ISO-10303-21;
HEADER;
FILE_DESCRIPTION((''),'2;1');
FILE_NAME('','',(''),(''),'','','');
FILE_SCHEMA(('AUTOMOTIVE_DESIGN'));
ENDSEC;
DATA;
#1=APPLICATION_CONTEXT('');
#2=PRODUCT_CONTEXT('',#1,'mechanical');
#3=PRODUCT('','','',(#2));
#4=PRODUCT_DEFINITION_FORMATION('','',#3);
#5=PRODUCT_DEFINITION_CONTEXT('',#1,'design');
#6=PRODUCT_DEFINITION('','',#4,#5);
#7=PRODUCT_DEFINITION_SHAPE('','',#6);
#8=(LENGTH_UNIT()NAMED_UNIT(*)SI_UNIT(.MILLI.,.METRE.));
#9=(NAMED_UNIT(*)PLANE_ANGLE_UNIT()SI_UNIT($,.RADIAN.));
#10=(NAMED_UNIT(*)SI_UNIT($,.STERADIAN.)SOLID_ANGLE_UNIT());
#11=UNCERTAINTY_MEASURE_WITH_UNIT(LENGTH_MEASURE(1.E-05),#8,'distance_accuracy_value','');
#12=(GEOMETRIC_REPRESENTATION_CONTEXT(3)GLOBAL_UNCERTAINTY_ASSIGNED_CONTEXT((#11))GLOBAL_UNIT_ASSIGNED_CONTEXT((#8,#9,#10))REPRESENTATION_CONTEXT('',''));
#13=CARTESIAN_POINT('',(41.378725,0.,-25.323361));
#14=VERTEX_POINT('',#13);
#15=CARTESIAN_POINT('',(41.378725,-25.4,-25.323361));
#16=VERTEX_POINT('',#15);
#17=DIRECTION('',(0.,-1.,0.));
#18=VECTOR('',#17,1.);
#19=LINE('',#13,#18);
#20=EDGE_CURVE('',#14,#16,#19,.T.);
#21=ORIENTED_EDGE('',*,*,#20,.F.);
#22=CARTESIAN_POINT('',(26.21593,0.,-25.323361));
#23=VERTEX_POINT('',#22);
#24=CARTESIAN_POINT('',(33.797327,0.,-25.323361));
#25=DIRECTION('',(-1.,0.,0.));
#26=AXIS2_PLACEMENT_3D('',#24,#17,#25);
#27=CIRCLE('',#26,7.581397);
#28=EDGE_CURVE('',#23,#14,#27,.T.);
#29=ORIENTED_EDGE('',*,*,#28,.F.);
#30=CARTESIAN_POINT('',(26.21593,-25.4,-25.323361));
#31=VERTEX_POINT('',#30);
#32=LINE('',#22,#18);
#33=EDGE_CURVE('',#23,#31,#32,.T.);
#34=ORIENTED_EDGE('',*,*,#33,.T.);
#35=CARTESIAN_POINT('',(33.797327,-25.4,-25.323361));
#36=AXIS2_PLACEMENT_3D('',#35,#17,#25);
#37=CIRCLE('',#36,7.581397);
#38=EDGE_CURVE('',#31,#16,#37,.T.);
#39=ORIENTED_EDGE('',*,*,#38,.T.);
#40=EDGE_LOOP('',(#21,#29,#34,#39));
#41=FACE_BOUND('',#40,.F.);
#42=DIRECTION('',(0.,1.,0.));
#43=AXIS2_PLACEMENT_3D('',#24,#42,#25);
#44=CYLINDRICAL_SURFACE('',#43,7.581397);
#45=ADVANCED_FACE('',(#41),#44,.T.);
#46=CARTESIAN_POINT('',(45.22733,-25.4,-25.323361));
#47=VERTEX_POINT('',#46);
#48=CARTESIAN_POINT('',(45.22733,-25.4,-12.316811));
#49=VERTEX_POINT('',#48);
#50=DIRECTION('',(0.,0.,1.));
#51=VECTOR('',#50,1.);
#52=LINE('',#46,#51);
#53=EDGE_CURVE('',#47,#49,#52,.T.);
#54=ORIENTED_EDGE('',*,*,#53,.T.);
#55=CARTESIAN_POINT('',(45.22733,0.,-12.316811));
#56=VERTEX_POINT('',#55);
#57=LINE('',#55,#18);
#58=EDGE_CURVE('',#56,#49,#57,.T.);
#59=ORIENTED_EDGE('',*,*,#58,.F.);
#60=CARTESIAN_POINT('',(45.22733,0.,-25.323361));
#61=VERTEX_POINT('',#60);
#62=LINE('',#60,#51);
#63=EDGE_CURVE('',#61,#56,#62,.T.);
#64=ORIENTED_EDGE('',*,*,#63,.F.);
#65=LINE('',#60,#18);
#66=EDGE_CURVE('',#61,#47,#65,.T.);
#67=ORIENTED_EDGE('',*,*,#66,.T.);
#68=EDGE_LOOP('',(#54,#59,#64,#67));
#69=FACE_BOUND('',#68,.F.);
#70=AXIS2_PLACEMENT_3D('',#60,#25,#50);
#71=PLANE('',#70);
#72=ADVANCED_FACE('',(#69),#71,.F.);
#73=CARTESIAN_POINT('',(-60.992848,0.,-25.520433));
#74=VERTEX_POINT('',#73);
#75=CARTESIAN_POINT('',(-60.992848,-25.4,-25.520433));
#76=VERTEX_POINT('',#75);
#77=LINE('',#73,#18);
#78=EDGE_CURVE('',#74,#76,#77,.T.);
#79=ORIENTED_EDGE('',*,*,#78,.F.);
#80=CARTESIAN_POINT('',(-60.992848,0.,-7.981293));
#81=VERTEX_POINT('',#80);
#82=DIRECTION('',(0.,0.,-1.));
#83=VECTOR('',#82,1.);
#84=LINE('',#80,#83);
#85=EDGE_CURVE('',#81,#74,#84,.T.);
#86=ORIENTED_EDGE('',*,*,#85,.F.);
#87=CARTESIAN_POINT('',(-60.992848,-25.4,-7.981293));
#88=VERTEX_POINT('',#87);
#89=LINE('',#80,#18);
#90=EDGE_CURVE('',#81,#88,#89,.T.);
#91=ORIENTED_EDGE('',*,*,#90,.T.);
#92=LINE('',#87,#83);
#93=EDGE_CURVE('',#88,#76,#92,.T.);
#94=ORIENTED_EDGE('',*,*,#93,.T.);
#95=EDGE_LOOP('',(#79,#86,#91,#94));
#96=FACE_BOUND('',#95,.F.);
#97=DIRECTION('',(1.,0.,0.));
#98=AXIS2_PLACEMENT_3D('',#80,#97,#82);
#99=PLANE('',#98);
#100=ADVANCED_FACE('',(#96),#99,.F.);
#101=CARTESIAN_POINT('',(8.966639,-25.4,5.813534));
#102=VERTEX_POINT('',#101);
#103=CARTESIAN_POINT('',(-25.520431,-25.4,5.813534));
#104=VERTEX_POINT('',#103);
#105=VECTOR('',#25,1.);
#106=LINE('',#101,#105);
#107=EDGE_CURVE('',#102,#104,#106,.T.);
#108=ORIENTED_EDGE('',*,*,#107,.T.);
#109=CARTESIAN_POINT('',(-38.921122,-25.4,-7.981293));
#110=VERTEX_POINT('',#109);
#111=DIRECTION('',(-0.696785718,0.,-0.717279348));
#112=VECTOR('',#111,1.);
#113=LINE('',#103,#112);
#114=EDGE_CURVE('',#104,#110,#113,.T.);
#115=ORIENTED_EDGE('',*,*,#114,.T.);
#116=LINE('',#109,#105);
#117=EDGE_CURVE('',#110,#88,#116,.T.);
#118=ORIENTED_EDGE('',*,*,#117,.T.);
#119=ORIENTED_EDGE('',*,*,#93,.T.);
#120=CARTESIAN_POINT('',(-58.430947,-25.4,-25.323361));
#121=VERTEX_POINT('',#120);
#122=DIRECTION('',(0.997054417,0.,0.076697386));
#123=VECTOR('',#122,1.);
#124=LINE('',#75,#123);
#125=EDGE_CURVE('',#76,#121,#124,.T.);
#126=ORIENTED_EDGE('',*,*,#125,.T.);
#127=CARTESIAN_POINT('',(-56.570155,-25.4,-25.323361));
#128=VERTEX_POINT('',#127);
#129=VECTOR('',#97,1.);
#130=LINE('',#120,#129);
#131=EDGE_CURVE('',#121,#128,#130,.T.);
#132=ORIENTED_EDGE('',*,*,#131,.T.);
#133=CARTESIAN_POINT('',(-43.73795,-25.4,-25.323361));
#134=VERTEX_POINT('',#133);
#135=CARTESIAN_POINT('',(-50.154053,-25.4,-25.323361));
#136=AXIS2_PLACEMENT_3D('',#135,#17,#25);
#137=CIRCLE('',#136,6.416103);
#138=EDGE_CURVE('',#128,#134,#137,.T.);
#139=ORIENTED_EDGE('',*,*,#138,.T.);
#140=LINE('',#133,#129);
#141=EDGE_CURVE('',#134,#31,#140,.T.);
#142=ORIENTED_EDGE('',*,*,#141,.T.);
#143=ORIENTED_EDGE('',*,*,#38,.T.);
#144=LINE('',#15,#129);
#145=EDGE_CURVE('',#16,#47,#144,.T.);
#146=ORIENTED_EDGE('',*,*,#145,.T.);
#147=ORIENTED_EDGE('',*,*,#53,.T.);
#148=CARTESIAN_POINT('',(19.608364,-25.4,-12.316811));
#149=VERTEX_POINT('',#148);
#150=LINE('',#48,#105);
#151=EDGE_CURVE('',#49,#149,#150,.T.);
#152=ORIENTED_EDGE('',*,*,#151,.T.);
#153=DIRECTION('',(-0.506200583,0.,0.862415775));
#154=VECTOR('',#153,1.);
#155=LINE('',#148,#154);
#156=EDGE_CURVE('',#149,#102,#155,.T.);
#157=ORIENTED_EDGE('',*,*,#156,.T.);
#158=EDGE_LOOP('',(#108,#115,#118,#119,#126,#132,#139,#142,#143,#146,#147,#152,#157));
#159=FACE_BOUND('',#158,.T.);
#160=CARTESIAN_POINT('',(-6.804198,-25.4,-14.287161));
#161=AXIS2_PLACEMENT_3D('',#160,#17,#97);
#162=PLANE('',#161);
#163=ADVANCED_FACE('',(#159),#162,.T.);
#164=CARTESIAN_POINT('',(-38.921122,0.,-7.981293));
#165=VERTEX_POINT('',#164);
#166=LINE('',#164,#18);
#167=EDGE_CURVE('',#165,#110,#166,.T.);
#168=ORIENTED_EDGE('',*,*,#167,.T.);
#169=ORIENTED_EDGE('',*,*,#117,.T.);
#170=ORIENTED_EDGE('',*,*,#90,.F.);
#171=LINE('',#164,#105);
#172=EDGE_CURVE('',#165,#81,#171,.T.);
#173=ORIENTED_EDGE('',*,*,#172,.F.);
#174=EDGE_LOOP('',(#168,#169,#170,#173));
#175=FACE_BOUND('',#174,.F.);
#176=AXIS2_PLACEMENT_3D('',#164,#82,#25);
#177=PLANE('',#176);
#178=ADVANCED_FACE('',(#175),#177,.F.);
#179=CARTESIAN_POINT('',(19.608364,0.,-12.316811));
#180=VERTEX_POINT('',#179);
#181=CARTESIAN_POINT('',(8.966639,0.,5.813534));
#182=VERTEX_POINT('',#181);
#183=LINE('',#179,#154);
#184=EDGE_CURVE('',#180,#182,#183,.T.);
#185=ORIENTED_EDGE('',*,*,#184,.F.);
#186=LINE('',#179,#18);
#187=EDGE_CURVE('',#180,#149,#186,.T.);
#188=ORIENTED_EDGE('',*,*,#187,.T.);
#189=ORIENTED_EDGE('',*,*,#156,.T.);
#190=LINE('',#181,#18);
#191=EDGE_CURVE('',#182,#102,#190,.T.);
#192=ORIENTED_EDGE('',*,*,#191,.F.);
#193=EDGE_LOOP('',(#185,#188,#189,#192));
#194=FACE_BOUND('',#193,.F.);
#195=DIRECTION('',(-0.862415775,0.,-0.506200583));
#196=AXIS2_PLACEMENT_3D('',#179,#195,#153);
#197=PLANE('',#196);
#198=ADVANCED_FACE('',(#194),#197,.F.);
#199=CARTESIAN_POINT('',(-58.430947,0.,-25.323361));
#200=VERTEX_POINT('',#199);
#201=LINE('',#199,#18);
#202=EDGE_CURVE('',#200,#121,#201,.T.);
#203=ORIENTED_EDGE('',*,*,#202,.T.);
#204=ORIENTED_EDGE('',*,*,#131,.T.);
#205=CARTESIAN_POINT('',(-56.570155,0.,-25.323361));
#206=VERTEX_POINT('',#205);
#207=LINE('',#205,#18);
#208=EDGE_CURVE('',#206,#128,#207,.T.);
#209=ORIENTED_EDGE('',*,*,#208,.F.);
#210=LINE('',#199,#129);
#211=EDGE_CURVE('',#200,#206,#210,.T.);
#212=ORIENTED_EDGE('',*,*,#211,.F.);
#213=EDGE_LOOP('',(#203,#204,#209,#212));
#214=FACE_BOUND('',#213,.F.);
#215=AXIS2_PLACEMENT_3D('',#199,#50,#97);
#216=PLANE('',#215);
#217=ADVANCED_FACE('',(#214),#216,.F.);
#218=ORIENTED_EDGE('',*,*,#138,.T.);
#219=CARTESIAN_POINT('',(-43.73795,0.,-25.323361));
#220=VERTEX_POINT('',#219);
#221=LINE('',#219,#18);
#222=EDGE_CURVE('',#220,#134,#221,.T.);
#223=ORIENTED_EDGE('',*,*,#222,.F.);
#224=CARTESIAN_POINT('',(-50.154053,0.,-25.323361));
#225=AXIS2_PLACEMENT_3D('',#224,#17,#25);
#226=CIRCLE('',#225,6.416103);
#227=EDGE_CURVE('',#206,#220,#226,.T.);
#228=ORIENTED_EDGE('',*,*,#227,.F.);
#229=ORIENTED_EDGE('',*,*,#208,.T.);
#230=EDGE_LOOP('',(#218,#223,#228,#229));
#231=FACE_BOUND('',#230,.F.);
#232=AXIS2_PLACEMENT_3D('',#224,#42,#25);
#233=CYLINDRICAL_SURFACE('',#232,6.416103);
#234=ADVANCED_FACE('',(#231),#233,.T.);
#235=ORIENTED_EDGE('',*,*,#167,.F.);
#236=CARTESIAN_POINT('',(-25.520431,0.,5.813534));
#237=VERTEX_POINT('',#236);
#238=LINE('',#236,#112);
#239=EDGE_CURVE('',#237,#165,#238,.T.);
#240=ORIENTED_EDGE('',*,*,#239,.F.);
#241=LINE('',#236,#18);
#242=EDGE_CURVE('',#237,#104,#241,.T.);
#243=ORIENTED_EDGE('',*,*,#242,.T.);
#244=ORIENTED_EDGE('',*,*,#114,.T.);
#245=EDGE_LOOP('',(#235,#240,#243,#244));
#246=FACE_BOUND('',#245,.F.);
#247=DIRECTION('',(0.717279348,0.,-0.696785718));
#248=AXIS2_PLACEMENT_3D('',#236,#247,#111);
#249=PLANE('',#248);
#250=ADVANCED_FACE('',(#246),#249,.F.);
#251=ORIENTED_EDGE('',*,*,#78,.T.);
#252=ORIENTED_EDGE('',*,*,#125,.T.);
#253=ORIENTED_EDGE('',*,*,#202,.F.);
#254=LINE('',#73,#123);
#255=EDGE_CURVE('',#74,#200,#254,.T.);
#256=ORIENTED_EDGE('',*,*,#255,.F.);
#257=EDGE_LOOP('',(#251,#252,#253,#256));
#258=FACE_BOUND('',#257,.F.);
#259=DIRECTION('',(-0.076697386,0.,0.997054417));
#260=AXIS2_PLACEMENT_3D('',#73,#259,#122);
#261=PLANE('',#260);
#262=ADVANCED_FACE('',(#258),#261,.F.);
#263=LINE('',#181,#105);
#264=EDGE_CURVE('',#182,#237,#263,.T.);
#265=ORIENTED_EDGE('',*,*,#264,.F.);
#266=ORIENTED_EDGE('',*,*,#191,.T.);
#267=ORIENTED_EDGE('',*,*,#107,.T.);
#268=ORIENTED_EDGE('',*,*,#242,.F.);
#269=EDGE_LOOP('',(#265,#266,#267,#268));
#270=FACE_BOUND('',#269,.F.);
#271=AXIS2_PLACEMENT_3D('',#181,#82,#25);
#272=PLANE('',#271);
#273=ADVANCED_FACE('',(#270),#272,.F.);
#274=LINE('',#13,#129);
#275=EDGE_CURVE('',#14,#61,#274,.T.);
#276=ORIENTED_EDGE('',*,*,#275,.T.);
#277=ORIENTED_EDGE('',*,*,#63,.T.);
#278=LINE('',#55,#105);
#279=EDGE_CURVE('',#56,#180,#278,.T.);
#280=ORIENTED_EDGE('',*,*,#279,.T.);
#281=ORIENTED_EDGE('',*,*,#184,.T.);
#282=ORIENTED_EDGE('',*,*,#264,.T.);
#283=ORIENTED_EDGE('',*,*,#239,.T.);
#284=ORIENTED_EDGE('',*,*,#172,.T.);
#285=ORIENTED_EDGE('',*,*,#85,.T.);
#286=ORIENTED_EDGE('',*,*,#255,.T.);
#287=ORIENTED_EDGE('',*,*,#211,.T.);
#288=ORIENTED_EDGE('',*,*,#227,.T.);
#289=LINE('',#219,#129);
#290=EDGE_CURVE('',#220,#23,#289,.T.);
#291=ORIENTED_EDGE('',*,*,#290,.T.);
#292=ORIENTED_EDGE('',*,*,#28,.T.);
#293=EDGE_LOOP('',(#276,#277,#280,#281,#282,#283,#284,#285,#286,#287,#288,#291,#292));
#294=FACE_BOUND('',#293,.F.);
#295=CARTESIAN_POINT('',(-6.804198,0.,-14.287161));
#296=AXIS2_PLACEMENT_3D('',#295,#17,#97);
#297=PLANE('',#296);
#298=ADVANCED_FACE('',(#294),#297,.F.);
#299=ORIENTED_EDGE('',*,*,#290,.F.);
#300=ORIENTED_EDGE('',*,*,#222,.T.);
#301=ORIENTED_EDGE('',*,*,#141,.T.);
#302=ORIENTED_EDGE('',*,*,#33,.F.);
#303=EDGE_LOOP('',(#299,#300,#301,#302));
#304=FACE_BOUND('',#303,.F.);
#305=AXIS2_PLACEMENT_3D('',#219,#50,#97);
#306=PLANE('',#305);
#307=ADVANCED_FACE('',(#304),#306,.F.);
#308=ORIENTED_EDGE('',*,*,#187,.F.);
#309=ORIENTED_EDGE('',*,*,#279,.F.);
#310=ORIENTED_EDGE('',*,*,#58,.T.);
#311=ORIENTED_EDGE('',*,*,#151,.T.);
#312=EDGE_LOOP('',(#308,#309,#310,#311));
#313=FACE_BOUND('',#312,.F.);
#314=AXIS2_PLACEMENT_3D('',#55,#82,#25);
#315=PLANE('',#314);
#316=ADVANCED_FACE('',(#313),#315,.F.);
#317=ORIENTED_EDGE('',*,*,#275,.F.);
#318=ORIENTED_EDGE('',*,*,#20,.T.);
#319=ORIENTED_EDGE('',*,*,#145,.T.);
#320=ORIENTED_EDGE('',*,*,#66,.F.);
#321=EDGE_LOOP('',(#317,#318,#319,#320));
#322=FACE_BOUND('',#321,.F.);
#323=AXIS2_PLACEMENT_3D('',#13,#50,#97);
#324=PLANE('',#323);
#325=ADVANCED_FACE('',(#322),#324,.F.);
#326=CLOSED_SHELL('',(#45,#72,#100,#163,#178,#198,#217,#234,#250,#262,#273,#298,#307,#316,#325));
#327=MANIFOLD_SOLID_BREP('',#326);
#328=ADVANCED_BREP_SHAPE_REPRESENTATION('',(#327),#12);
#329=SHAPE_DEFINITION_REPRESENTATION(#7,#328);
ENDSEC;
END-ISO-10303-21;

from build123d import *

# Parameters (mm, degrees)
F1_DEPTH = 25.4


with BuildPart() as f1:
    # F0 (on Front) → F1 (new body)
    with BuildSketch(Plane.XZ):
        with BuildLine():
            ThreePointArc((26.2159302875, -25.3233611584), (33.7973274291, -17.7419640168), (41.3787245706, -25.3233611584))
            Line((41.3787245706, -25.3233611584), (45.227330178, -25.3233611584))
            Line((45.227330178, -25.3233611584), (45.227330178, -12.3168108985))
            Line((45.227330178, -12.3168108985), (19.6083635092, -12.3168108985))
            Line((19.6083635092, -12.3168108985), (8.9666387066, 5.8135343716))
            Line((8.9666387066, 5.8135343716), (-25.5204308778, 5.8135343716))
            Line((-25.5204308778, 5.8135343716), (-38.9211215079, -7.9812929034))
            Line((-38.9211215079, -7.9812929034), (-60.9928481281, -16.7508628219))
            Line((-60.9928481281, -16.7508628219), (-60.9928481281, -25.5204327404))
            Line((-60.9928481281, -25.5204327404), (-58.4309473634, -25.3233611584))
            Line((-58.4309473634, -25.3233611584), (-56.5701552345, -25.3233611584))
            ThreePointArc((-56.5701552345, -25.3233611584), (-50.1540526748, -18.9072585986), (-43.737950115, -25.3233611584))
            Line((-43.737950115, -25.3233611584), (26.2159302875, -25.3233611584))
        make_face()
        with BuildLine():
            ThreePointArc((26.2159302875, -25.3233611584), (33.7973274291, -32.9047582999), (41.3787245706, -25.3233611584))
            Line((41.3787245706, -25.3233611584), (26.2159302875, -25.3233611584))
        make_face()
        with BuildLine():
            Line((26.2159302875, -25.3233611584), (41.3787245706, -25.3233611584))
            ThreePointArc((41.3787245706, -25.3233611584), (33.7973274291, -17.7419640168), (26.2159302875, -25.3233611584))
        make_face()
        with BuildLine():
            ThreePointArc((-56.5701552345, -25.3233611584), (-50.1540526748, -31.7394637181), (-43.737950115, -25.3233611584))
            Line((-43.737950115, -25.3233611584), (-56.5701552345, -25.3233611584))
        make_face()
        with BuildLine():
            Line((-56.5701552345, -25.3233611584), (-43.737950115, -25.3233611584))
            ThreePointArc((-43.737950115, -25.3233611584), (-50.1540526748, -18.9072585986), (-56.5701552345, -25.3233611584))
        make_face()
        Polygon((-60.9928481281, -16.7508628219), (-38.9211215079, -7.9812929034), (-60.9928481281, -7.9812929034), align=None)
    extrude(amount=F1_DEPTH)


solid = f1.part
